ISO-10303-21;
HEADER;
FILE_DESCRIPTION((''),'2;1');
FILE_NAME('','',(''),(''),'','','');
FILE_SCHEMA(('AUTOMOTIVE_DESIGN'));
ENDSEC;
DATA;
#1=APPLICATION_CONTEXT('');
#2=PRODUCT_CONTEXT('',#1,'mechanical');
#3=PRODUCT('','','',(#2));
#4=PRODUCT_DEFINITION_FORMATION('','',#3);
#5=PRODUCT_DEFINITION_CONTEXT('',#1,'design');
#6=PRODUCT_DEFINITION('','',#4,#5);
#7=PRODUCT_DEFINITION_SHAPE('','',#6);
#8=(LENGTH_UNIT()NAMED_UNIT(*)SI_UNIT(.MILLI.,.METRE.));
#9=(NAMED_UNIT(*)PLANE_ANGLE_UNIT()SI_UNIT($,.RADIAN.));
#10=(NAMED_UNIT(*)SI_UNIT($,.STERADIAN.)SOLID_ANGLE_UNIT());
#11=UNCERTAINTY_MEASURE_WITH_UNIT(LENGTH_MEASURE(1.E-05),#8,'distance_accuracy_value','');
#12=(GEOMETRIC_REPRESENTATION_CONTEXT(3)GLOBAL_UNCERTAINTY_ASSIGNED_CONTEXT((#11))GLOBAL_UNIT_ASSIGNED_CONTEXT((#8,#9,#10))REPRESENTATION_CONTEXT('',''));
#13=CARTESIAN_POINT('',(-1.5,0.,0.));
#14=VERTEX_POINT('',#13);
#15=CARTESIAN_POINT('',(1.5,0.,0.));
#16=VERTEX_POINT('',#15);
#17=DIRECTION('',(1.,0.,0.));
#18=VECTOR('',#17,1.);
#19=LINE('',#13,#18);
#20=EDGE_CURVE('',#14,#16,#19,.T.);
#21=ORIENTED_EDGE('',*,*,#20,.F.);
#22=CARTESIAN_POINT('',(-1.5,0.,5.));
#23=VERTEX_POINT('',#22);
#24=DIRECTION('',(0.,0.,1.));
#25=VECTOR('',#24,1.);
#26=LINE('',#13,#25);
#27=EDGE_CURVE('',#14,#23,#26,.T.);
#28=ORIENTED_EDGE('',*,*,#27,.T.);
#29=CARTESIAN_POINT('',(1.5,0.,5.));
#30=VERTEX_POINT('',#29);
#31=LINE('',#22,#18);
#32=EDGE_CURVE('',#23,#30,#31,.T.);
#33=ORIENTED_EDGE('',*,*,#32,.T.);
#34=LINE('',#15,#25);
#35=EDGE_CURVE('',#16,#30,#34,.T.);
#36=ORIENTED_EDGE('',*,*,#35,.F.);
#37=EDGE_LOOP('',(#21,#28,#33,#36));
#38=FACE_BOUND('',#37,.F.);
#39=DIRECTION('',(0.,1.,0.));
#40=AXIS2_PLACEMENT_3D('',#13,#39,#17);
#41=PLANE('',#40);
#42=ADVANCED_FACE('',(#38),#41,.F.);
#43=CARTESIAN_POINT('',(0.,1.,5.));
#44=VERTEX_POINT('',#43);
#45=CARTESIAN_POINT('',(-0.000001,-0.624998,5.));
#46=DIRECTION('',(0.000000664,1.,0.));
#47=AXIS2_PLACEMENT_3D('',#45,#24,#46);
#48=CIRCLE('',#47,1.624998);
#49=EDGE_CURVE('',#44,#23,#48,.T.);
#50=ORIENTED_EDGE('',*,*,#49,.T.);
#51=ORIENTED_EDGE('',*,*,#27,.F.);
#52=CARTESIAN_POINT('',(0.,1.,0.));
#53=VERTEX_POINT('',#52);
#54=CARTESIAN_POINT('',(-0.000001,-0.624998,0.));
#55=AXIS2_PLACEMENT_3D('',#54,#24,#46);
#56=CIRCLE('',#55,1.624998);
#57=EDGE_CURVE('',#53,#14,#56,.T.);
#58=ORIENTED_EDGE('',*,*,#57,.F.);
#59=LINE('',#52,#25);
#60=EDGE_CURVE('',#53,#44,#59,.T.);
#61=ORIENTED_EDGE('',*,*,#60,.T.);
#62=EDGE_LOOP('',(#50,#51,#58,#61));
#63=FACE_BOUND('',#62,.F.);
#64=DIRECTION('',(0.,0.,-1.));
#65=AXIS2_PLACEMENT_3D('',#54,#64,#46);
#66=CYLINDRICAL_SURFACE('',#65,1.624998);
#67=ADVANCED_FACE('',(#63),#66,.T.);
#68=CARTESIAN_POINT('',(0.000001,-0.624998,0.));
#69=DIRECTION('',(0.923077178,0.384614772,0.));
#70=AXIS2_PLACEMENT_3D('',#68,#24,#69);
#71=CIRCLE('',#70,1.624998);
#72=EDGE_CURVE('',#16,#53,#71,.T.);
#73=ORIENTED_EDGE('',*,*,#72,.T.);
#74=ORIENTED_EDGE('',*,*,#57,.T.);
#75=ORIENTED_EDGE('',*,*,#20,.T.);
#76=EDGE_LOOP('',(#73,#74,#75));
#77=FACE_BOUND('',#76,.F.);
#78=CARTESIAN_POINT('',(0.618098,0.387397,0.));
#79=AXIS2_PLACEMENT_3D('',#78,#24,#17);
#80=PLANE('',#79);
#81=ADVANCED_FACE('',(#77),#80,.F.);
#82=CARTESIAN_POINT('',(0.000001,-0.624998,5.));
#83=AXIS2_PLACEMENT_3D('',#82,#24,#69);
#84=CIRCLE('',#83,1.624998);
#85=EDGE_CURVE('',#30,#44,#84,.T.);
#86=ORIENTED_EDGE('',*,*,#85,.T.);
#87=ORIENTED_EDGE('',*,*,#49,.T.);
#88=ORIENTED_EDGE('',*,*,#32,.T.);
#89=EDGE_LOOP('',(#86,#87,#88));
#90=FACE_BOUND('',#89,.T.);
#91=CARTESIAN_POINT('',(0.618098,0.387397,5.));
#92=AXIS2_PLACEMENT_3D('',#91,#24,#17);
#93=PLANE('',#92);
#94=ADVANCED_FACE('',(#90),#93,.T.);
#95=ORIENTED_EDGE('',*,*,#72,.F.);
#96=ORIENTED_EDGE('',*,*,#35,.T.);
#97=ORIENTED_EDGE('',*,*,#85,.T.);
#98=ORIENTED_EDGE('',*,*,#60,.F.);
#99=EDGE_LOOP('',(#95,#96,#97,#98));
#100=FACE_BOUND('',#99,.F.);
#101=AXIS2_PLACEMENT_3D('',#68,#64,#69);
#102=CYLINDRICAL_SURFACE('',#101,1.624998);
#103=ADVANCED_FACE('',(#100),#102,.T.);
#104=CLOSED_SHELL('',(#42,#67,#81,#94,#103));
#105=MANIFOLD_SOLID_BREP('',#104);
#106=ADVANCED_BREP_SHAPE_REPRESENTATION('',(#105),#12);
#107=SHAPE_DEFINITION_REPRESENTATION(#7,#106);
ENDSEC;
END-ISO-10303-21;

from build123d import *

# Parameters (mm, degrees)
F1_DEPTH = 5


with BuildPart() as f1:
    # F0 (on Top) → F1 (new body)
    with BuildSketch(Plane.XY):
        with BuildLine():
            Line((0, 1), (0, 0))
            Line((0, 0), (1.5, 0))
            ThreePointArc((1.5, 0), (0.901388, 0.727082), (0, 1))
        make_face()
        with BuildLine():
            Line((-1.5, 0), (0, 0))
            Line((0, 0), (0, 1))
            ThreePointArc((0, 1), (-0.901388, 0.727082), (-1.5, 0))
        make_face()
    extrude(amount=F1_DEPTH)


solid = f1.part
